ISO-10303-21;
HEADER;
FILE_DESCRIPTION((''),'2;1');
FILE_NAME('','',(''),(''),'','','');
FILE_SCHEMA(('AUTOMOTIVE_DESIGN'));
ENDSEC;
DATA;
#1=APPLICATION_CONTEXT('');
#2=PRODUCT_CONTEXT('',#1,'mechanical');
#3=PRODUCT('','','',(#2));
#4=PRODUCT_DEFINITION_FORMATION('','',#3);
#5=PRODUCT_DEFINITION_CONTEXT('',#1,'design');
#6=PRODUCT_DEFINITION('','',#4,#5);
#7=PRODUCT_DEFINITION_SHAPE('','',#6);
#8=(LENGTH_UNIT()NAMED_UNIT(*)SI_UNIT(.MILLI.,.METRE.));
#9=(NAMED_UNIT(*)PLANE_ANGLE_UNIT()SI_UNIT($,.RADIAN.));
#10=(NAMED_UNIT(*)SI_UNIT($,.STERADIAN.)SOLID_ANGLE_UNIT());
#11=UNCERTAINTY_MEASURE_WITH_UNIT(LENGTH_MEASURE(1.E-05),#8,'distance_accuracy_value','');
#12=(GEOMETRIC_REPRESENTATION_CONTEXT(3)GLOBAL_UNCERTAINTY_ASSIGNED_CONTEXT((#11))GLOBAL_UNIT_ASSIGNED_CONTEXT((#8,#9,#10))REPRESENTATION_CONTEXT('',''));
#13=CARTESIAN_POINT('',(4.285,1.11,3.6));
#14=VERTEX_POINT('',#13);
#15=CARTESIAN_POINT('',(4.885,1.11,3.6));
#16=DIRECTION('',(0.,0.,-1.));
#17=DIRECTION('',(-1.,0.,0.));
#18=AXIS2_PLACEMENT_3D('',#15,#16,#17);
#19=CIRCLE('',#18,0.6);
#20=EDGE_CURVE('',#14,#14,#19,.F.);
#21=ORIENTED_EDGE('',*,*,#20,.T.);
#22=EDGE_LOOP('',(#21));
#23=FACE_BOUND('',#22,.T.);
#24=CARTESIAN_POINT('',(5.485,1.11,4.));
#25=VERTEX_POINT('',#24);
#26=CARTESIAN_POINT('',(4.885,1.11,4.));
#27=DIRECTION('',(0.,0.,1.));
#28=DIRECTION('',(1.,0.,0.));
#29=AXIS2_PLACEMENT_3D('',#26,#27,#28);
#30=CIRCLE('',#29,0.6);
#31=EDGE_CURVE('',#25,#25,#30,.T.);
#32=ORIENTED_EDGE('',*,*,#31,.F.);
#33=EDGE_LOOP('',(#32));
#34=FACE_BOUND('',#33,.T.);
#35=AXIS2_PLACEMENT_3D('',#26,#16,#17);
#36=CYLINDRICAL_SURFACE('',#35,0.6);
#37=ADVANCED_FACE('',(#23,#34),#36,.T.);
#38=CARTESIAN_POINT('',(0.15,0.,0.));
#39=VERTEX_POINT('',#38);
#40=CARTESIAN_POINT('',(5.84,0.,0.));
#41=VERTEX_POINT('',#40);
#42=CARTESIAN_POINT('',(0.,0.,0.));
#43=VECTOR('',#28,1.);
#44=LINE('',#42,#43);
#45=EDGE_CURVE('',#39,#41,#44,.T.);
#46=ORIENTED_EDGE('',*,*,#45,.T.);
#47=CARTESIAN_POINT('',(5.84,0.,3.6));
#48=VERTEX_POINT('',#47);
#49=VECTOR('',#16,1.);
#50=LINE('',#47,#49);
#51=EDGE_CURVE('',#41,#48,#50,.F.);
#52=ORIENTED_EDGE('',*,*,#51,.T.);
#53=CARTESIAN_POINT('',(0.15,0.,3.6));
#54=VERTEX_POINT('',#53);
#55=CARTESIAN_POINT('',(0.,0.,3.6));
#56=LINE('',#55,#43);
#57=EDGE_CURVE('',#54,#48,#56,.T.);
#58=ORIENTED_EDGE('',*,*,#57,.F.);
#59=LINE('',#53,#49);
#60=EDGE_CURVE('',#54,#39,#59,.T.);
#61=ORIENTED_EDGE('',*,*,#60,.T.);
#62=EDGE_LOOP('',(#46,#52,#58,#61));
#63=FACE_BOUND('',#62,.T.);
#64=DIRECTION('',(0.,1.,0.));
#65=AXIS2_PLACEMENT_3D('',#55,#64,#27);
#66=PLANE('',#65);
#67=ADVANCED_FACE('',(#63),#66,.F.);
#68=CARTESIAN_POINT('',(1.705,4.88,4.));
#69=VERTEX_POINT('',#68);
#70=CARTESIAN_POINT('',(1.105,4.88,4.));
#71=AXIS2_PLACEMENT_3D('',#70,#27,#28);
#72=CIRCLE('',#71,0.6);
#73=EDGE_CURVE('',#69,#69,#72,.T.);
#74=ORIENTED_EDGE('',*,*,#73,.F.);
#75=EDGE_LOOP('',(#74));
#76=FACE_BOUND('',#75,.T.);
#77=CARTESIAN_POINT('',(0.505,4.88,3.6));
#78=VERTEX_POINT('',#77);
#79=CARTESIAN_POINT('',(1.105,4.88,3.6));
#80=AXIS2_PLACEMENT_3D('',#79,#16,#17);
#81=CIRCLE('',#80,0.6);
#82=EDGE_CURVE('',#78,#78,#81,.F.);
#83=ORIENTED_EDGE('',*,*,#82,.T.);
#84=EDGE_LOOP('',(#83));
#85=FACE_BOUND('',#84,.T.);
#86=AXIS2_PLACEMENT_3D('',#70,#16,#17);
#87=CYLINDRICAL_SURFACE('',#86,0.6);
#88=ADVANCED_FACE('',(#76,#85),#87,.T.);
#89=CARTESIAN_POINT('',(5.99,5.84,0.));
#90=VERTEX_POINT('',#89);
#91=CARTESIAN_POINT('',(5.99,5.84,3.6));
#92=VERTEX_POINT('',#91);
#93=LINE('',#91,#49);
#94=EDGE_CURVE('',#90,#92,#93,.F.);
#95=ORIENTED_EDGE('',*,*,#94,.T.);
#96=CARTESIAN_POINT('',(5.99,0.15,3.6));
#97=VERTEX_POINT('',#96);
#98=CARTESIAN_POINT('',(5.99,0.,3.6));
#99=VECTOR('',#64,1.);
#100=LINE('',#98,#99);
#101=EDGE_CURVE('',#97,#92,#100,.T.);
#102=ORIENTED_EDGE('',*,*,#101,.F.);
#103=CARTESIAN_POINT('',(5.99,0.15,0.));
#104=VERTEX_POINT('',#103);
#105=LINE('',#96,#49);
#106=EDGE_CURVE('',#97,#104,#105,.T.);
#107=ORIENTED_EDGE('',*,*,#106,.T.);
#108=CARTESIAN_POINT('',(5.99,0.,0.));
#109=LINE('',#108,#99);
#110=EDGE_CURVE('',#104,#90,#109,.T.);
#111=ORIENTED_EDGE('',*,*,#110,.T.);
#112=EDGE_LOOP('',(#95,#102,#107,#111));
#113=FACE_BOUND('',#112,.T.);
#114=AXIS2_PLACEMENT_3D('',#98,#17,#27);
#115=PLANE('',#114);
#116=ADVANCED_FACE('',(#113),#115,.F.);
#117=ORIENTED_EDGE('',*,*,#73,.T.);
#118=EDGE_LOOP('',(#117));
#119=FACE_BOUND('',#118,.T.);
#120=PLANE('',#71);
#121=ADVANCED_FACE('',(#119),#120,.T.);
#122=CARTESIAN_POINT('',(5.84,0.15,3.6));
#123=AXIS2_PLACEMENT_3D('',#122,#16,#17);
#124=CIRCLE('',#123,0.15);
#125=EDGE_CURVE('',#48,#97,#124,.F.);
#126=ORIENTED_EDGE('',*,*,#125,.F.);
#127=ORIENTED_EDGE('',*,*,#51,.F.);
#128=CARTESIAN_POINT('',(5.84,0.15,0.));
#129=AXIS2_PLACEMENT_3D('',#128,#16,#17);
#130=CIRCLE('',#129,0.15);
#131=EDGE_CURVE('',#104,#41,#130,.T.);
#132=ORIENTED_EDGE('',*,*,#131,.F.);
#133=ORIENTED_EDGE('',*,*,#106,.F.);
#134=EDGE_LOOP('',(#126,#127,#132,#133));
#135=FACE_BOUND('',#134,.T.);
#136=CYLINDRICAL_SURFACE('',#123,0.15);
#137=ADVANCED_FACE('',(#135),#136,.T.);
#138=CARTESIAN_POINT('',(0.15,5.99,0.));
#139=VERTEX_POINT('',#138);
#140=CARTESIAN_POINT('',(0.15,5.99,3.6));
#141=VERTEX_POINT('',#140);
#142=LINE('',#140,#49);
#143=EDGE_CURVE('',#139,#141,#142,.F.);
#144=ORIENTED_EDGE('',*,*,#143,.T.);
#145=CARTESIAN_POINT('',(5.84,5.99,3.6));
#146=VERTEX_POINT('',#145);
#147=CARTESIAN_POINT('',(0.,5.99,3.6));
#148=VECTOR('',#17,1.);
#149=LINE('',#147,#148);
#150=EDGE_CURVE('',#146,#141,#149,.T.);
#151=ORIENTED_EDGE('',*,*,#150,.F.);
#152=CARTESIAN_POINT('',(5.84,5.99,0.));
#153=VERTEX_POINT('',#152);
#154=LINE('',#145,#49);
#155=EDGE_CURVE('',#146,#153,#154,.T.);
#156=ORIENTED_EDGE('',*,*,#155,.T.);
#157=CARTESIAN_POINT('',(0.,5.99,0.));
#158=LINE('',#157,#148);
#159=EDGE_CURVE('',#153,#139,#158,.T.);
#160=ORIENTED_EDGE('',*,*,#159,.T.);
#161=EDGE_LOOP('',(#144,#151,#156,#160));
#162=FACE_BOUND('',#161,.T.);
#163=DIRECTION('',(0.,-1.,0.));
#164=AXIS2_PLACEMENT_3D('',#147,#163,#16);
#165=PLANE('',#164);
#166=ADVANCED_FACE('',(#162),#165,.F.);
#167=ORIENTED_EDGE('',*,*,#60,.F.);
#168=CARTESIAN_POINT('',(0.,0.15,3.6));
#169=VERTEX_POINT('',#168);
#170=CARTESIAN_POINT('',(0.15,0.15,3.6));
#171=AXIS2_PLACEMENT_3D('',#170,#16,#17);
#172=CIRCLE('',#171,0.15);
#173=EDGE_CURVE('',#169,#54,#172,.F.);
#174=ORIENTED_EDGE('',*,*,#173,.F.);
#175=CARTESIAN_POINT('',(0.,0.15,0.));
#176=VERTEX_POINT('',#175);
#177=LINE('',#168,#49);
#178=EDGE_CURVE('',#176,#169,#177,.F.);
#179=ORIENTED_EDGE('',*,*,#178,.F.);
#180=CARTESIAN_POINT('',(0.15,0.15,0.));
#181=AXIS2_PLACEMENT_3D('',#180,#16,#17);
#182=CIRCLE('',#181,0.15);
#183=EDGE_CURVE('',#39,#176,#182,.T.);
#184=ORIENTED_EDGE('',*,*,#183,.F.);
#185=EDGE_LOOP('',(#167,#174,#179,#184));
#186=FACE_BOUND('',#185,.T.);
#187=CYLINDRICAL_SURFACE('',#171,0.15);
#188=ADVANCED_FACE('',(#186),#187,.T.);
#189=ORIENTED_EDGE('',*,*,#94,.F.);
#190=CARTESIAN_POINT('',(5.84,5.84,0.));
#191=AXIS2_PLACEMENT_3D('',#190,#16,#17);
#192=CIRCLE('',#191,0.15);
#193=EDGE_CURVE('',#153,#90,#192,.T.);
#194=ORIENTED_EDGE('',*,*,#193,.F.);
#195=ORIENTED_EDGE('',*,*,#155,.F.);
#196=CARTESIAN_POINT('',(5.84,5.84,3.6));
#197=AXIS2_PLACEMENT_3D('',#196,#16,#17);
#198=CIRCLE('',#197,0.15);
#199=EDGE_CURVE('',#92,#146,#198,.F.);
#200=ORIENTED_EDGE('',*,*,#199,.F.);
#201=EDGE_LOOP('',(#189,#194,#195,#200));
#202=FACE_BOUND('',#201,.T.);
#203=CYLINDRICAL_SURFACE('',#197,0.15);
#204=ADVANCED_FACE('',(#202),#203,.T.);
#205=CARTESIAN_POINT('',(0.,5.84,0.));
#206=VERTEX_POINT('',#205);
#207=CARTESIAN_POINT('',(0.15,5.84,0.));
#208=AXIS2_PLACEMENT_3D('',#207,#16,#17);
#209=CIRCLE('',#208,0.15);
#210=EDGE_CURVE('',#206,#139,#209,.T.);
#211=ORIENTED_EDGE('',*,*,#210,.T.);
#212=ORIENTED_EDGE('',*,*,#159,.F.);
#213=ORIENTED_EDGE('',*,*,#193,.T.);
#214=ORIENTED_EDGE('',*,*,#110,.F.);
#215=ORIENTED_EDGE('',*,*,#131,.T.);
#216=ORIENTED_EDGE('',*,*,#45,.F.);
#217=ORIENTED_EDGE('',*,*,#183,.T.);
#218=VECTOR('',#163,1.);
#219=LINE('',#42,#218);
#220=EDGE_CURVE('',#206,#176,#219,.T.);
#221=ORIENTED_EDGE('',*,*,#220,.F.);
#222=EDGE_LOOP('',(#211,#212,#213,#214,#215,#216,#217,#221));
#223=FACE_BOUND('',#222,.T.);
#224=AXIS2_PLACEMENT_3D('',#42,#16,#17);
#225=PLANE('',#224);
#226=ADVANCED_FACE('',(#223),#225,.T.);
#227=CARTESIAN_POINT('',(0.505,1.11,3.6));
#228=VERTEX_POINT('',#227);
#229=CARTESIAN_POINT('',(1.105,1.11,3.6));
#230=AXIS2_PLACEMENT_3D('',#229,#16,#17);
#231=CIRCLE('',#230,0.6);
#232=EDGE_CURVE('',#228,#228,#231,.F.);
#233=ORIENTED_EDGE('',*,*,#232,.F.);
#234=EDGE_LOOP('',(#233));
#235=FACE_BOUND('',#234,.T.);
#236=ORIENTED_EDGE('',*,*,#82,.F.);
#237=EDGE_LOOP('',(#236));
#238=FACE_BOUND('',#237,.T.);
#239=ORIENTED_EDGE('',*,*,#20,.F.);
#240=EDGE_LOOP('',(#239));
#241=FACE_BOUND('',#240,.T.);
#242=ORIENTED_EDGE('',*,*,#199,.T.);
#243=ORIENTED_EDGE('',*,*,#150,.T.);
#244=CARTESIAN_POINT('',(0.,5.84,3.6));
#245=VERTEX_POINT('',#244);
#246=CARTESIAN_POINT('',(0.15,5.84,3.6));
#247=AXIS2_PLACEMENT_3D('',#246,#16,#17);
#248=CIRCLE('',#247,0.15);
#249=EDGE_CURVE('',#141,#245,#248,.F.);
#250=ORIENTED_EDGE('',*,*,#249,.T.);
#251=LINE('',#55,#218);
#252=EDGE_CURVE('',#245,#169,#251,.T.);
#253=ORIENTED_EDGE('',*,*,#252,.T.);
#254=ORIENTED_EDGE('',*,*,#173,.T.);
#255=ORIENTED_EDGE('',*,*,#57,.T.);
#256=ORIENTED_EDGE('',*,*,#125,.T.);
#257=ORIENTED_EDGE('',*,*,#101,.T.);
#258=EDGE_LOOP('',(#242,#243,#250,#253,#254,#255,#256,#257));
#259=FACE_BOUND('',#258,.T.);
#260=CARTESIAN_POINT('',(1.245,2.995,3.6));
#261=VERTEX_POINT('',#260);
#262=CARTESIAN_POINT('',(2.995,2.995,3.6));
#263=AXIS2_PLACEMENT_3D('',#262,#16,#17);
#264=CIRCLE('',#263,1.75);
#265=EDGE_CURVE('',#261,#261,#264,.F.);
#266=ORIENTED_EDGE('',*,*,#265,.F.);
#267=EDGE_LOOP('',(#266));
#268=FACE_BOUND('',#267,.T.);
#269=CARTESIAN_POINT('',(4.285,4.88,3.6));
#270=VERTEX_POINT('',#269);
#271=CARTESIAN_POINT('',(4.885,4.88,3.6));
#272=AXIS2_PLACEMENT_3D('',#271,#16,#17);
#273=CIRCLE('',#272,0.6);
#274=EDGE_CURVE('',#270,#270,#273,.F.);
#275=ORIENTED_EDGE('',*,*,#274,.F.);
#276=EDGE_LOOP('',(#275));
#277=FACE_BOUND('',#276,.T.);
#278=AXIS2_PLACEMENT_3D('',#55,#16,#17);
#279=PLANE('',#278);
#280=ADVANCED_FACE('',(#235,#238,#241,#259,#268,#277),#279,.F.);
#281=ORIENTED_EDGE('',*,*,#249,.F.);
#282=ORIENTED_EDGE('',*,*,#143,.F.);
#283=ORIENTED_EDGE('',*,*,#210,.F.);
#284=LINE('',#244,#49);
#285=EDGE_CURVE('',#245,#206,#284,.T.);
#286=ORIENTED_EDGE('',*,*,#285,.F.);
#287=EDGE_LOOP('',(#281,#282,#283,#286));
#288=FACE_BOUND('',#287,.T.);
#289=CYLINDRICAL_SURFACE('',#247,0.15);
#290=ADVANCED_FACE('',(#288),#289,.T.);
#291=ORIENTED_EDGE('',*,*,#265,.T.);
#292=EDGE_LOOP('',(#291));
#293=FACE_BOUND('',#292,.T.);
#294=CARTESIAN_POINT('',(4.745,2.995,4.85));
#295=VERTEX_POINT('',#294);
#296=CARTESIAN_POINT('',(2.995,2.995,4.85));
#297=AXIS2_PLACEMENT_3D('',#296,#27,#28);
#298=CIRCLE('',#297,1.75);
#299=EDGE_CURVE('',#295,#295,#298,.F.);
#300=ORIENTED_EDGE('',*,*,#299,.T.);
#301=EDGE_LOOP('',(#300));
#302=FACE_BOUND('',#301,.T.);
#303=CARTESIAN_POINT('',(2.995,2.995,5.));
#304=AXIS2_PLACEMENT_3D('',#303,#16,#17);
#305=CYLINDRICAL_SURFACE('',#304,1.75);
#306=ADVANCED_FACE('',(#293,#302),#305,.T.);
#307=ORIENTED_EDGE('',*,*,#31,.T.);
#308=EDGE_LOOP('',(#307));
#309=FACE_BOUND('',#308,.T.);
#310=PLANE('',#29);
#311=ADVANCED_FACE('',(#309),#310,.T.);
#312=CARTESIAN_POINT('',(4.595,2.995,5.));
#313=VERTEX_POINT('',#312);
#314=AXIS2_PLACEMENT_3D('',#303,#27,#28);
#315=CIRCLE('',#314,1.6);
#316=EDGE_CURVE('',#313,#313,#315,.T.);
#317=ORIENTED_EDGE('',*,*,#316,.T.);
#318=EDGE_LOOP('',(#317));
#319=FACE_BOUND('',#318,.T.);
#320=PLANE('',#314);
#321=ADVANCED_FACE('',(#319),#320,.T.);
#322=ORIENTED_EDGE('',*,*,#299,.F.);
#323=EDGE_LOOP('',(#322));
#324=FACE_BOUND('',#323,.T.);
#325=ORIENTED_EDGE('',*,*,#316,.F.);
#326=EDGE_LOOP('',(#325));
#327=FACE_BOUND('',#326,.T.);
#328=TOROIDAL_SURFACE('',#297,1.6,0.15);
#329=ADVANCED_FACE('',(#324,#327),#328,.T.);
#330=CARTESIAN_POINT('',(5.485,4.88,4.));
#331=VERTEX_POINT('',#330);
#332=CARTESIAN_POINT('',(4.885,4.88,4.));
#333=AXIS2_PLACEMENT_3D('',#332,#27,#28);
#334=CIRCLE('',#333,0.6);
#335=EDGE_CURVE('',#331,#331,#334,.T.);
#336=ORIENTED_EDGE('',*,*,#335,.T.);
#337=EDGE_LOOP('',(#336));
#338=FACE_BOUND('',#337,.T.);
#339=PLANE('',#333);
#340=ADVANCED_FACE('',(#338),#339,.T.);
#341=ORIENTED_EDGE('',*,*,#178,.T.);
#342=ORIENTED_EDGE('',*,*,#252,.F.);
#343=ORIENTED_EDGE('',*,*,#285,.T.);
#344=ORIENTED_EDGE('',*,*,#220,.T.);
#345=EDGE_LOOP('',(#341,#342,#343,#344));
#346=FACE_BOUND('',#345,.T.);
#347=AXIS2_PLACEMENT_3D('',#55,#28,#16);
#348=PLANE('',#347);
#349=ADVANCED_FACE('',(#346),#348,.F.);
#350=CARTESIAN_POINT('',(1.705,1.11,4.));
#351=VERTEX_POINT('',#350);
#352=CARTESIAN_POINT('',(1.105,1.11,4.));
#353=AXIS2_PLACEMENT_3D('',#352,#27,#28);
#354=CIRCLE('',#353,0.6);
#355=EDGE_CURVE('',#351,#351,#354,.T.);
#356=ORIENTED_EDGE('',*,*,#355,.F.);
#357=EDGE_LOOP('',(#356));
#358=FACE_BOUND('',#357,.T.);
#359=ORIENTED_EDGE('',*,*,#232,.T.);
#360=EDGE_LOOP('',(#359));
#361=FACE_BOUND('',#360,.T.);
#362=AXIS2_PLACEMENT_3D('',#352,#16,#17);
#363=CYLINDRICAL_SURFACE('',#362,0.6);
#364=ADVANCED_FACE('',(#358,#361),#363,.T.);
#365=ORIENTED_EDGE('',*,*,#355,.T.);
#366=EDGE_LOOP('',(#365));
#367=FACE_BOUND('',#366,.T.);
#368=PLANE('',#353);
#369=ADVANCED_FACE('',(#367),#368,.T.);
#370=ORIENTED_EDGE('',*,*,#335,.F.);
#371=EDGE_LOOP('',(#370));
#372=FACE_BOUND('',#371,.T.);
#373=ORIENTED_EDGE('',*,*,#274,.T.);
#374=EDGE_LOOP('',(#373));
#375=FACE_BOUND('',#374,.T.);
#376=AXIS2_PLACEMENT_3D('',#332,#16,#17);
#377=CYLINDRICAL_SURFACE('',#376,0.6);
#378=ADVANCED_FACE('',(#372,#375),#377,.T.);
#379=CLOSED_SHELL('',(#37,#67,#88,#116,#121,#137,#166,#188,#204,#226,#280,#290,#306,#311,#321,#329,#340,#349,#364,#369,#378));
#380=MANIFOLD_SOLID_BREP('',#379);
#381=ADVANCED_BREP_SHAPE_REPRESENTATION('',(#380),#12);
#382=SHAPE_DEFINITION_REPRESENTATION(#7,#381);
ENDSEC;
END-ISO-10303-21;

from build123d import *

# Parameters (mm, degrees)
SKETCH2_W           = 5.99
SKETCH2_H           = 5.99
BOSS_EXTRUDE1_DEPTH = 3.6
SKETCH3_R           = 1.75
BOSS_EXTRUDE2_DEPTH = 1.4
FILLET1_R           = 0.15
SKETCH5_R           = 0.6
BOSS_EXTRUDE3_DEPTH = 0.4


with BuildPart() as part:
    # Sketch2 → Boss-Extrude1 (new body)
    with BuildSketch(Plane.XY):
        with Locations((2.995, 2.995)):
            Rectangle(SKETCH2_W, SKETCH2_H)
    extrude(amount=BOSS_EXTRUDE1_DEPTH)

    # Sketch3 → Boss-Extrude2 (add)
    with BuildSketch(Plane.XY.offset(3.6)):
        with Locations(Location((2.995, 2.995, 0), (0, 0, 180))):
            Circle(SKETCH3_R)
    extrude(amount=BOSS_EXTRUDE2_DEPTH)

    # Fillet1
    fillet1_edges = [part.edges().sort_by_distance(p)[0] for p in [
        (4.745, 2.995, 5),
        (0, 5.99, 1.8),
        (5.99, 5.99, 1.8),
        (5.99, 0, 1.8),
        (0, 0, 1.8),
    ]]
    fillet(fillet1_edges, radius=FILLET1_R)

    # Sketch5 → Boss-Extrude3 (add)
    with BuildSketch(Plane.XY.offset(3.6)):
        with Locations(Location((1.105, 4.88, 0), (0, 0, 180))):
            Circle(SKETCH5_R)
        with Locations(Location((4.885, 4.88, 0), (0, 0, 180))):
            Circle(SKETCH5_R)
        with Locations(Location((4.885, 1.11, 0), (0, 0, 180))):
            Circle(SKETCH5_R)
        with Locations(Location((1.105, 1.11, 0), (0, 0, 180))):
            Circle(SKETCH5_R)
    extrude(amount=BOSS_EXTRUDE3_DEPTH)


solid = part.part
